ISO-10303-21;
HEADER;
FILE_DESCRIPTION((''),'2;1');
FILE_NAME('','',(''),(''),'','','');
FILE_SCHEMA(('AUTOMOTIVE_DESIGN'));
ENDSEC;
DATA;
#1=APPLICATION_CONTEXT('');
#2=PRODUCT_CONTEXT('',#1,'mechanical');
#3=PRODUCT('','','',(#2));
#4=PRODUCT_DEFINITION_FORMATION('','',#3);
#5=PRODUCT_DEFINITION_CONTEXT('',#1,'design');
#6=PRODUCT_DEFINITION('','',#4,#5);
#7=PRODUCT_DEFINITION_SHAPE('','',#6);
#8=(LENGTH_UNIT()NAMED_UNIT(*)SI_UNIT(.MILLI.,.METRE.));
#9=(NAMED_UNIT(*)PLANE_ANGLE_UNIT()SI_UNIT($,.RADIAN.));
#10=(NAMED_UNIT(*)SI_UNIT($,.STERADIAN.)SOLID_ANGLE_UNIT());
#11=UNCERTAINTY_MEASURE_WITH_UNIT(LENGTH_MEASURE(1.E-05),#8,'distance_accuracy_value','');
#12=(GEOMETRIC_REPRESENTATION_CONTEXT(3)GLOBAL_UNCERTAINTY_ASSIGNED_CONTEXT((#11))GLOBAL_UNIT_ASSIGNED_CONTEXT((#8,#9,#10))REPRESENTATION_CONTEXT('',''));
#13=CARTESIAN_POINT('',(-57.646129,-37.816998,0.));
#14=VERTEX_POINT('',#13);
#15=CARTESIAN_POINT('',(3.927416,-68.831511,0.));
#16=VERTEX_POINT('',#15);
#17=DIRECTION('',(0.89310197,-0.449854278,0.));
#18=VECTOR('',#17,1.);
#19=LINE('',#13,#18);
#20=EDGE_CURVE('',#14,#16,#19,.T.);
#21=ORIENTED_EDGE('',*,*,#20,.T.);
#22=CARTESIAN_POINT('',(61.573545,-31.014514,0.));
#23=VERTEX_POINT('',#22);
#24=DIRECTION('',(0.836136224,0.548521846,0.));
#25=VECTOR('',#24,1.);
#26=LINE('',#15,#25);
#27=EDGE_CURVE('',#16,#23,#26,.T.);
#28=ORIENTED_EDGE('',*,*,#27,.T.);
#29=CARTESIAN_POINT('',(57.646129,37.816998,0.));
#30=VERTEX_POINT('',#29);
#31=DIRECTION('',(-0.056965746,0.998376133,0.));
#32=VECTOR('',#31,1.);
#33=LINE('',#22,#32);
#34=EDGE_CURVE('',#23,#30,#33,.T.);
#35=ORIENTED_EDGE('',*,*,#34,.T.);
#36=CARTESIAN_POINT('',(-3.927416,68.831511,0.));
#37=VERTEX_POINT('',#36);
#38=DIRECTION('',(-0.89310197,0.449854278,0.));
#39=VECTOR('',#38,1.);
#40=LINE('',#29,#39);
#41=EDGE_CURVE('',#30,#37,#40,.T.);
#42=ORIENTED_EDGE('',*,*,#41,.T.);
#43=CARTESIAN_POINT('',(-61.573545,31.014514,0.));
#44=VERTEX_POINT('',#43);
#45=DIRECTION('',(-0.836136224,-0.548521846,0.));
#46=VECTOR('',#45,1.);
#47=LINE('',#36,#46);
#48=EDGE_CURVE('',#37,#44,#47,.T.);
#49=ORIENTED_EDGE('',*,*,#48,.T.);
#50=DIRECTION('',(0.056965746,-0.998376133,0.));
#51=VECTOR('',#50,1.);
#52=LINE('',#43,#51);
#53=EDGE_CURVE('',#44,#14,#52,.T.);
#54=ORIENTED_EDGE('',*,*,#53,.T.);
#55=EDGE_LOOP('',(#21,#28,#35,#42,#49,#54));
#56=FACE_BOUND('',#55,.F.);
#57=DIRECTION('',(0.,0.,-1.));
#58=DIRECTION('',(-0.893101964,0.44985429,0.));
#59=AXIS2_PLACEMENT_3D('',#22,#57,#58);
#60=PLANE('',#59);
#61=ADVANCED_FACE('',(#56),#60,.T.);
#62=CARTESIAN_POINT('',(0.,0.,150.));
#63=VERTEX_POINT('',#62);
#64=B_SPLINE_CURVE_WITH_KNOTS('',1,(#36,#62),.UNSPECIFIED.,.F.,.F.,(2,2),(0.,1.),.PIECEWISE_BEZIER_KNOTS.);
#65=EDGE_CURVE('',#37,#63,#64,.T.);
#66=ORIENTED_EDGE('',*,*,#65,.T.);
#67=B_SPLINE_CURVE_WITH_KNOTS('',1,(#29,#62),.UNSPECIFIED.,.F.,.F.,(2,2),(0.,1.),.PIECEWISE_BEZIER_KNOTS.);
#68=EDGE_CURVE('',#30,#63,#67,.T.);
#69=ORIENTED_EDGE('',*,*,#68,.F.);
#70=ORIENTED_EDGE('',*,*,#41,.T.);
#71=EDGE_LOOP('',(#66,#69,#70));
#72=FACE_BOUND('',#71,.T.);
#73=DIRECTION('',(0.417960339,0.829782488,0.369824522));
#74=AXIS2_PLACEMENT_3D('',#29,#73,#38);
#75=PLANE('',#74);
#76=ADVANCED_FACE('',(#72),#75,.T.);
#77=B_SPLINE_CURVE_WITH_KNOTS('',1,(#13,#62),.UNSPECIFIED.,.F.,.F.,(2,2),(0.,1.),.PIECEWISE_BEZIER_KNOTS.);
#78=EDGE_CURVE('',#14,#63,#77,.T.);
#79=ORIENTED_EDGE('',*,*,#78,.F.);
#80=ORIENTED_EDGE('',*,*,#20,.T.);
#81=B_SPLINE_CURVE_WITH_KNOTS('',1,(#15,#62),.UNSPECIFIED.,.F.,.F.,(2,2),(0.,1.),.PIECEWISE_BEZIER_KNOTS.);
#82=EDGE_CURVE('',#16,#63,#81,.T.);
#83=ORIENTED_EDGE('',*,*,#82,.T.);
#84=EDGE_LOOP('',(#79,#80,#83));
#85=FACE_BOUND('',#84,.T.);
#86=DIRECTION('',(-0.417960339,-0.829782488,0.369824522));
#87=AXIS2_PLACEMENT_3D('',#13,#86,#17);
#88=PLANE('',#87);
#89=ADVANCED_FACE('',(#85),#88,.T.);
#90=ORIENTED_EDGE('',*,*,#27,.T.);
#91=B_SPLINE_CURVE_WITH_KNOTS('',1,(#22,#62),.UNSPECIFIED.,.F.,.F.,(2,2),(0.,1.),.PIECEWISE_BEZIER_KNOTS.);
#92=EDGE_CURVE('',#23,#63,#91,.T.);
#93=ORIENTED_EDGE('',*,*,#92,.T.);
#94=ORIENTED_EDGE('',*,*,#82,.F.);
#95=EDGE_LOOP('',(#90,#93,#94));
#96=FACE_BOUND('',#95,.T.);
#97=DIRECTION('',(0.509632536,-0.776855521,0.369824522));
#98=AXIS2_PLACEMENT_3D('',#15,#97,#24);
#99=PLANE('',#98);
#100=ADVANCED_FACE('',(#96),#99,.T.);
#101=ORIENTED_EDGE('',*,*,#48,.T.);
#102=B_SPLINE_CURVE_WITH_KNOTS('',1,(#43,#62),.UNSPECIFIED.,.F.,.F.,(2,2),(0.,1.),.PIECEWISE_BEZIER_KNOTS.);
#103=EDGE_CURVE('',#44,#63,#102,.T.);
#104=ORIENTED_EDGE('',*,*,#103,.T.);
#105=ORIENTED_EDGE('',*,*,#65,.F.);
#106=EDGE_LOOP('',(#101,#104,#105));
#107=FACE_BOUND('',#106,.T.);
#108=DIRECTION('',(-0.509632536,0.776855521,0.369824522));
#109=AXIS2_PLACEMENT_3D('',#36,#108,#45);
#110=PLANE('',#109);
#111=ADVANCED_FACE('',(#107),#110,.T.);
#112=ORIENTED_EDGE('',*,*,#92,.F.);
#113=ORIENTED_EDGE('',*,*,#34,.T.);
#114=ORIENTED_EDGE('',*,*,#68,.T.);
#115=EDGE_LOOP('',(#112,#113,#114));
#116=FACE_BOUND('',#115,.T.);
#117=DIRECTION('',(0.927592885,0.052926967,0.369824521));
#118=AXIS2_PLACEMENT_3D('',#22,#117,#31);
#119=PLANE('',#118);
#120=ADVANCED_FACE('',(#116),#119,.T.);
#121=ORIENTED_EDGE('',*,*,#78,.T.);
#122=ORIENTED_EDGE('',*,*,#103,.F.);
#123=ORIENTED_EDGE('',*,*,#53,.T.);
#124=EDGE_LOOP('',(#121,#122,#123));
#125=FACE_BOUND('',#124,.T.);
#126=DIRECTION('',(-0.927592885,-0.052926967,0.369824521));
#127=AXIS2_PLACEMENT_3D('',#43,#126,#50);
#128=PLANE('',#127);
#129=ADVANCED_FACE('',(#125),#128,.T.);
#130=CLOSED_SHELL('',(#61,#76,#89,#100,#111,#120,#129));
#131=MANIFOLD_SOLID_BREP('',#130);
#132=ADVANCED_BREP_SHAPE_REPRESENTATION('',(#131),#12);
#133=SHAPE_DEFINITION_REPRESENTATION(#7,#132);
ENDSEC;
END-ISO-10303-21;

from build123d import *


with BuildPart() as f3:
    # F0 (on Top) → F3 section 0
    with BuildSketch(Plane.XY, mode=Mode.PRIVATE) as f3_s0:
        Polygon((61.573545, -31.014514), (57.646129, 37.816998), (-3.927416, 68.831511), (-61.573545, 31.014514), (-57.646129, -37.816998), (3.927416, -68.831511), align=None)
    loft([f3_s0.sketch, Vertex(0, 0, 150)])


solid = f3.part
